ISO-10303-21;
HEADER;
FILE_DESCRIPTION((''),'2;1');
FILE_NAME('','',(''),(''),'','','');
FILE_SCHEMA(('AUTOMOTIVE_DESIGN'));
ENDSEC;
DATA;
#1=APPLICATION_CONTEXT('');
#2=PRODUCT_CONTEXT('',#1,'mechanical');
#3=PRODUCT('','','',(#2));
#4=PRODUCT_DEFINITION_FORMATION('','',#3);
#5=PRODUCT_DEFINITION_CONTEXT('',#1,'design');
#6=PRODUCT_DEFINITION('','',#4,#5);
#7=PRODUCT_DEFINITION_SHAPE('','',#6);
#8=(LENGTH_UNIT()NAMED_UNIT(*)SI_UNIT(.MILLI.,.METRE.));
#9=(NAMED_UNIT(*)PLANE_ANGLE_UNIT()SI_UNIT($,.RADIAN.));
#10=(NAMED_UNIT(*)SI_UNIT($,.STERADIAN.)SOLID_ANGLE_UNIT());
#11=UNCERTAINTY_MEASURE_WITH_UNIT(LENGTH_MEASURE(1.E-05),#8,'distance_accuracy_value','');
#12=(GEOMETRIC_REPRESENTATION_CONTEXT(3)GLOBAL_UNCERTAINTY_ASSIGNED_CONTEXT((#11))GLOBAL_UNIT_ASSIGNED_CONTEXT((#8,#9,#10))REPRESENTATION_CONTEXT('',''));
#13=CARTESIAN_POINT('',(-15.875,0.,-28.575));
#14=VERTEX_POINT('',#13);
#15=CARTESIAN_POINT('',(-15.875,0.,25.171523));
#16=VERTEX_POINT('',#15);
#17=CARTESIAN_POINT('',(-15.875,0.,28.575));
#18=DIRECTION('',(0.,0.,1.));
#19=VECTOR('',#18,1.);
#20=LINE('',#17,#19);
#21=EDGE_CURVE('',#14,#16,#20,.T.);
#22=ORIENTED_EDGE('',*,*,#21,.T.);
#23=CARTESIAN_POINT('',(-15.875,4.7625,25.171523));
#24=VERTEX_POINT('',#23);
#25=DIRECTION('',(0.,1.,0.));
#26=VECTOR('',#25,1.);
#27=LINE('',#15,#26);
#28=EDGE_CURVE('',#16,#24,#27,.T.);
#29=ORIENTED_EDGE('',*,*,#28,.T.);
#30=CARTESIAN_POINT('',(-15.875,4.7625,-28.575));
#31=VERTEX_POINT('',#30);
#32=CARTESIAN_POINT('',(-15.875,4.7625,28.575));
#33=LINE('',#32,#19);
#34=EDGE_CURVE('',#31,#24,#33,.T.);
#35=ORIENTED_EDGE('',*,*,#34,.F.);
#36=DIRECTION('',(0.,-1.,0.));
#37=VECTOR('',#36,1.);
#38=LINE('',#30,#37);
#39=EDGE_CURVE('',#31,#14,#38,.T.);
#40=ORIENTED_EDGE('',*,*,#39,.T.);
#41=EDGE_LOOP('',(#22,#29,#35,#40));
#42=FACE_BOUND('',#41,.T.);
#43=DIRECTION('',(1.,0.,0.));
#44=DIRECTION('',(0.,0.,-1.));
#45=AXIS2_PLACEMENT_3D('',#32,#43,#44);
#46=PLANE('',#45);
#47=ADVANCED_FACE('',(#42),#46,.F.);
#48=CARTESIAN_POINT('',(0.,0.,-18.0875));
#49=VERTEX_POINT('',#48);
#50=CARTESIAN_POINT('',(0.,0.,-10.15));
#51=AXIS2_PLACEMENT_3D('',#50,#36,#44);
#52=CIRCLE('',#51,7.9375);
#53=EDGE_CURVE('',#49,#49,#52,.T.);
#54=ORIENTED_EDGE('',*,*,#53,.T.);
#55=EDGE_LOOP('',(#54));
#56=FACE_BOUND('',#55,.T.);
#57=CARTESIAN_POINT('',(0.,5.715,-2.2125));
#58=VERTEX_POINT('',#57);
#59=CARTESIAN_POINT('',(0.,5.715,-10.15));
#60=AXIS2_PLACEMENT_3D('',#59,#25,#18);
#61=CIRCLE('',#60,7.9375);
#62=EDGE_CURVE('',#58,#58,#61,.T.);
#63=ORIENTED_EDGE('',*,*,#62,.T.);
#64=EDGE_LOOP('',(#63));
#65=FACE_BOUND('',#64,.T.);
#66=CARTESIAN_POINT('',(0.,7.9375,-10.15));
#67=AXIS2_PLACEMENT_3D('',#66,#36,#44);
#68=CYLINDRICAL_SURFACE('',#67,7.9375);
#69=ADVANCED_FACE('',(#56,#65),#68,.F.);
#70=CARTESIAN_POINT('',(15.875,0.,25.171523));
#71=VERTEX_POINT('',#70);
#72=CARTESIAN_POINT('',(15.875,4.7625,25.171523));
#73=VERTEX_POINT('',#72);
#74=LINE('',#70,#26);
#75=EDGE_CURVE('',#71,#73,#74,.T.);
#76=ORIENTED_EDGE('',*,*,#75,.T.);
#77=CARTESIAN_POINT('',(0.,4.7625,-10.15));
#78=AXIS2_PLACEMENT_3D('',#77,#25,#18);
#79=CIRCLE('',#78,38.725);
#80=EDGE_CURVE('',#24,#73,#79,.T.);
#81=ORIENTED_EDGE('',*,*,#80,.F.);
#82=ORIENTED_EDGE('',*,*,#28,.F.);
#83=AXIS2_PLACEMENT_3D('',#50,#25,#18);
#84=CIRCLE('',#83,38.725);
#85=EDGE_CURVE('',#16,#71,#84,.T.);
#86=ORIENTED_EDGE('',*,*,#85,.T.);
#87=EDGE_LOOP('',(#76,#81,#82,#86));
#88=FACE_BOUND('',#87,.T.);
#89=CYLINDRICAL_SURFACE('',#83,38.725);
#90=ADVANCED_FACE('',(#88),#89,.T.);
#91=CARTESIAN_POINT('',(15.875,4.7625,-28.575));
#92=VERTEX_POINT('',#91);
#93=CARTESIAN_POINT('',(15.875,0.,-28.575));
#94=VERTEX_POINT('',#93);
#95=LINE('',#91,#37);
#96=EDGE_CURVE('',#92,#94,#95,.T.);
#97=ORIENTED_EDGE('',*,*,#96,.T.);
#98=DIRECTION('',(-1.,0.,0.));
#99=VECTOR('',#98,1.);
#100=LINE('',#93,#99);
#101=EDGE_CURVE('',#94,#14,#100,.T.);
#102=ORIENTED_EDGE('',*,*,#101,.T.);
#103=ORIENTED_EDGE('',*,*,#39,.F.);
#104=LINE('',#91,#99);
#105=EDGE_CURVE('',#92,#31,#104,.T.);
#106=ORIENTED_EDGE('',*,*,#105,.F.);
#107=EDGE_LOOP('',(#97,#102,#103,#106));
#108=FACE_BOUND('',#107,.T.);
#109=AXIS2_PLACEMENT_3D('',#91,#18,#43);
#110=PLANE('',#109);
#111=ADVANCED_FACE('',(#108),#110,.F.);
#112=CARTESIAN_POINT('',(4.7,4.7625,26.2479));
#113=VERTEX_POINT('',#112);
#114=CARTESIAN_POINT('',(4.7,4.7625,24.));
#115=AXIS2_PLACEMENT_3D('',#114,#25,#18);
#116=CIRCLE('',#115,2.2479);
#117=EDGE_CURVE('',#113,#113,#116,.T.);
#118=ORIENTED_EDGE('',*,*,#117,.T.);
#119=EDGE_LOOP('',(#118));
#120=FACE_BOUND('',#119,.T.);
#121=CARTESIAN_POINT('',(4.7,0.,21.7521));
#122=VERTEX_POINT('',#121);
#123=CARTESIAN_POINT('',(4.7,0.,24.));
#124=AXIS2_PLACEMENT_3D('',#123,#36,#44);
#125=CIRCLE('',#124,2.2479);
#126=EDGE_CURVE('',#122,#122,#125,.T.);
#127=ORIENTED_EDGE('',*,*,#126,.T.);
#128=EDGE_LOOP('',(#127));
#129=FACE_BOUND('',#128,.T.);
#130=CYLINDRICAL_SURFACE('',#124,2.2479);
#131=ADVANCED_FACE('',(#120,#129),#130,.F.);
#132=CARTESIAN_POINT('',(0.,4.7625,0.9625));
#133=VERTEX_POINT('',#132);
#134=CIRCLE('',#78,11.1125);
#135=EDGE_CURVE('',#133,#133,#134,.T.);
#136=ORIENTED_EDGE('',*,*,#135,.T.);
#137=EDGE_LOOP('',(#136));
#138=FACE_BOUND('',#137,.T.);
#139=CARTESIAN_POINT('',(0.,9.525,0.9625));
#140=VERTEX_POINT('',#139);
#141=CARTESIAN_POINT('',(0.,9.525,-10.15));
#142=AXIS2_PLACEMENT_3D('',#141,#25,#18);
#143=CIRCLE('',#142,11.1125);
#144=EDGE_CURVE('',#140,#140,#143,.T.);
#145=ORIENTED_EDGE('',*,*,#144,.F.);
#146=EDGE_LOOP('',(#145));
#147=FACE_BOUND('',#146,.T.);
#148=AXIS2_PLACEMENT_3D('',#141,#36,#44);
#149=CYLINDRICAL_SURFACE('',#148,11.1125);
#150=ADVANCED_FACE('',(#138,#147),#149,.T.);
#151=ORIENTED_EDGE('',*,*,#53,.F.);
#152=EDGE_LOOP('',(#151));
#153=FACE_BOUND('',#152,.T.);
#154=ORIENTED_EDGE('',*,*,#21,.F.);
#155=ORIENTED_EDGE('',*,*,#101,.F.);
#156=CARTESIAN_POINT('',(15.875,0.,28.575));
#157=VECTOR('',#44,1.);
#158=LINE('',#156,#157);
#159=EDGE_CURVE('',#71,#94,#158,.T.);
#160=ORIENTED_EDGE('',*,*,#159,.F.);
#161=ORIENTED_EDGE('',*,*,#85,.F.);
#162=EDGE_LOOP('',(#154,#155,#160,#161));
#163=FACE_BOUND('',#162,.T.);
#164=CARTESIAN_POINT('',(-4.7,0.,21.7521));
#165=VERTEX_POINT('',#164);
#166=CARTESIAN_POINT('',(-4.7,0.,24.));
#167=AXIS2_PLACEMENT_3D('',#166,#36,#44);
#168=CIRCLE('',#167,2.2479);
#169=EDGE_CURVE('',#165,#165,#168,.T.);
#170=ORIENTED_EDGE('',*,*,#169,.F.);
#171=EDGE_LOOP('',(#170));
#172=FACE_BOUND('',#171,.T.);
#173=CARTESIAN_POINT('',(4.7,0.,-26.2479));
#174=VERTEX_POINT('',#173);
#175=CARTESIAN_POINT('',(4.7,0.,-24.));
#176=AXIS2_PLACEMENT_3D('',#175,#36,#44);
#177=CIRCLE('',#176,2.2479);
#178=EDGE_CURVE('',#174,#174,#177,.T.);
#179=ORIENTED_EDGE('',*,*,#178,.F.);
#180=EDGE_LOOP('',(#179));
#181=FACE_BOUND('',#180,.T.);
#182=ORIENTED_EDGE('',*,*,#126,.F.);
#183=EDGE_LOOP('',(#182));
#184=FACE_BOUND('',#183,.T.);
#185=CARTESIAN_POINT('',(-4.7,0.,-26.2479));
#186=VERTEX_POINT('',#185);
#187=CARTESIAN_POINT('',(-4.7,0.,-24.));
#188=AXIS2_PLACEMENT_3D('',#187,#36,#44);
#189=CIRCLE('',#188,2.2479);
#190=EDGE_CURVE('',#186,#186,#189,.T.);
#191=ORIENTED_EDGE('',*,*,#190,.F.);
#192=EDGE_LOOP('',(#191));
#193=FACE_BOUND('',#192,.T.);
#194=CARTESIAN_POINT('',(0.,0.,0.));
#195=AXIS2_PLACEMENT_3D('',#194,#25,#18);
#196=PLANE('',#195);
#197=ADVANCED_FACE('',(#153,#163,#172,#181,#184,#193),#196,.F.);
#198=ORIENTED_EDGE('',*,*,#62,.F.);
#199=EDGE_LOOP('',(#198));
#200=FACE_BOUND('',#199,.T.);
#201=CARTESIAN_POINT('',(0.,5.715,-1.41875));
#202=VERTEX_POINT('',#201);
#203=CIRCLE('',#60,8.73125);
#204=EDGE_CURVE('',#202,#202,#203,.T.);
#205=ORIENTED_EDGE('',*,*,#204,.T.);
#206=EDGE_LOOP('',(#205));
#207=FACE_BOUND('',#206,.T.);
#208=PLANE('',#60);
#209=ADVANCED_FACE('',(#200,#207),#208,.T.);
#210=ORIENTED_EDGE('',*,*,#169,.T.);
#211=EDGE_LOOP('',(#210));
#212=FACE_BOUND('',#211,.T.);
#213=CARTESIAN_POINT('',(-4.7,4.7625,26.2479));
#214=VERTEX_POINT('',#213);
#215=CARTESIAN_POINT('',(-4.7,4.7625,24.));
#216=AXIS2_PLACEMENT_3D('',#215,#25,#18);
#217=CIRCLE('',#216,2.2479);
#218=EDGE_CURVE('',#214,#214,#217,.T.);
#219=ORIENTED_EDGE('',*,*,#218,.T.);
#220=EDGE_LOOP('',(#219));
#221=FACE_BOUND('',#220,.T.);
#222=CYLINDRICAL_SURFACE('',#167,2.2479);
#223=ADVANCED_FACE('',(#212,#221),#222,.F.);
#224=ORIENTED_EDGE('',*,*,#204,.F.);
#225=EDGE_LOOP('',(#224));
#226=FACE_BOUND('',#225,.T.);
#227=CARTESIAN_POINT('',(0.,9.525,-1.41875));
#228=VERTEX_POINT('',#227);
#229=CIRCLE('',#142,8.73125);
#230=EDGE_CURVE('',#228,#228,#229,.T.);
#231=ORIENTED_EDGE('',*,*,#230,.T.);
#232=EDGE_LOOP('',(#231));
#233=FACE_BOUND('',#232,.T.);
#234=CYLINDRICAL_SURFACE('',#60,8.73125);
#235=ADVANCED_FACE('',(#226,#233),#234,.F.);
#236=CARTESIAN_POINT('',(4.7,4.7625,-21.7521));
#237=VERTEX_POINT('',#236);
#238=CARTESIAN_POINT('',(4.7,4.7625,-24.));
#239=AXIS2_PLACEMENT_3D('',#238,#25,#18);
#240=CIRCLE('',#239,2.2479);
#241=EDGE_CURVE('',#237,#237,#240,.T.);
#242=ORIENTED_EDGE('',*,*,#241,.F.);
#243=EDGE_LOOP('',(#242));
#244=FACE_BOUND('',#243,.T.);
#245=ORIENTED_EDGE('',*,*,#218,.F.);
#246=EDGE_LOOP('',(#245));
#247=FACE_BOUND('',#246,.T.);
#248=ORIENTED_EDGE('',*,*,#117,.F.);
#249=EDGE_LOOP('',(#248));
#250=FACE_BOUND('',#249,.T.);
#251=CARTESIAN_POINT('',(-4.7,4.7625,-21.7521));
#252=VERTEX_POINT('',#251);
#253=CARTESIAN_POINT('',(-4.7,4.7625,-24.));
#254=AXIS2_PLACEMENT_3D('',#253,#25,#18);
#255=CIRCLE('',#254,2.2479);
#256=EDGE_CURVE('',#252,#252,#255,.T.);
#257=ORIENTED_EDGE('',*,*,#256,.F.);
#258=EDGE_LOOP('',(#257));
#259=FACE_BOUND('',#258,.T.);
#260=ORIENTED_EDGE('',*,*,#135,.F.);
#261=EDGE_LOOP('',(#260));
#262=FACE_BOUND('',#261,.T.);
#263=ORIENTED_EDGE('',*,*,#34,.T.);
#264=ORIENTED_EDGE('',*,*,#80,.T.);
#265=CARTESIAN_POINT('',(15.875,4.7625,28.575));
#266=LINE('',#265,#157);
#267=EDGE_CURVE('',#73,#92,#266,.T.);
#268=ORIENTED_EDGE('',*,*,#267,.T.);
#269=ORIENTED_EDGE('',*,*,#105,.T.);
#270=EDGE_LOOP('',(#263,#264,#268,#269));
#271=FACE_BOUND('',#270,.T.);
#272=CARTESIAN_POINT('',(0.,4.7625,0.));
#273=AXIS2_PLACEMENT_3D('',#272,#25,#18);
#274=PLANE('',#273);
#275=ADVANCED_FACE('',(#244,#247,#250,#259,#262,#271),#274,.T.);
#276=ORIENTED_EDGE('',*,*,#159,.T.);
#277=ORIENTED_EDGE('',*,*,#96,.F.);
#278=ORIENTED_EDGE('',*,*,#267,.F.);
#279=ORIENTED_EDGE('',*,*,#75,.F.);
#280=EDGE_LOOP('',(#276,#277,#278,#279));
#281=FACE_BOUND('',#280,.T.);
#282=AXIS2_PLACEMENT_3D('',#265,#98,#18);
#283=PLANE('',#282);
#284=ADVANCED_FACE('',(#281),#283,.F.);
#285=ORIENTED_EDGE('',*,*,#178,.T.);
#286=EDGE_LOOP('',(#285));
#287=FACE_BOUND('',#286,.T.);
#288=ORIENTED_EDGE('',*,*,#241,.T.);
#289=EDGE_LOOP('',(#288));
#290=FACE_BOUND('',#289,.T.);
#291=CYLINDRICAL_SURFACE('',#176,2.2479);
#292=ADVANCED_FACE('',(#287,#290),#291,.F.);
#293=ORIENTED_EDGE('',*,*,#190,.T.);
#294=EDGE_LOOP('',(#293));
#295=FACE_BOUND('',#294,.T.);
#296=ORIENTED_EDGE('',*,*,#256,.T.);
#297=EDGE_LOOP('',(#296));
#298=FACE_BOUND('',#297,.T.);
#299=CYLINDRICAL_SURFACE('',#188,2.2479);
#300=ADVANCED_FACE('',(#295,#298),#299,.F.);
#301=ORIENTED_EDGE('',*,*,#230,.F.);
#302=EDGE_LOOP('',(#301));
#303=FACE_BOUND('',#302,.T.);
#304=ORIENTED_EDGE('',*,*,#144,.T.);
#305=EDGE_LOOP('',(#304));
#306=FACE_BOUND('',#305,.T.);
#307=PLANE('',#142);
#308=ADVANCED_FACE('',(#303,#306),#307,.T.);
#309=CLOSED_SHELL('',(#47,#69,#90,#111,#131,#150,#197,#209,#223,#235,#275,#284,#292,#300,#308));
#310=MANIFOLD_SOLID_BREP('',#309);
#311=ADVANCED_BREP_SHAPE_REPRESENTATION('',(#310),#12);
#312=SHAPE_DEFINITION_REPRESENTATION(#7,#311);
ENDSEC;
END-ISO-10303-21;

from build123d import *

# Parameters (mm, degrees)
SKETCH1_W             = 31.75
SKETCH1_H             = 57.15
BOSS_EXTRUDE1_DEPTH   = 4.7625
SKETCH2_R             = 11.1125
BOSS_EXTRUDE2_DEPTH   = 4.7625
SKETCH3_R             = 8.73125
CUT_EXTRUDE1_DEPTH    = 3.81
SKETCH4_R             = 7.9375
CUT_EXTRUDE2_DEPTH    = 7.9375
F_8_CLEARANCE_HOLE2_D = 4.4958
CUT_EXTRUDE3_DEPTH    = 5.7625


with BuildPart() as part:
    # Sketch1 → Boss-Extrude1 (new body)
    with BuildSketch(Plane(origin=(0, 0, 0), x_dir=(1, 0, 0), z_dir=(0, 1, 0))):
        Rectangle(SKETCH1_W, SKETCH1_H)
    extrude(amount=BOSS_EXTRUDE1_DEPTH)

    # Sketch2 → Boss-Extrude2 (add)
    with BuildSketch(Plane(origin=(0, 4.7625, 0), x_dir=(1, 0, 0), z_dir=(0, 1, 0))):
        with Locations((0, 10.15000002)):
            Circle(SKETCH2_R)
    extrude(amount=BOSS_EXTRUDE2_DEPTH)

    # Sketch3 → Cut-Extrude1 (cut)
    with BuildSketch(Plane(origin=(0, 9.525, 0), x_dir=(1, 0, 0), z_dir=(0, 1, 0))):
        with Locations((0, 10.15000002)):
            Circle(SKETCH3_R)
    extrude(amount=-CUT_EXTRUDE1_DEPTH, mode=Mode.SUBTRACT)

    # Sketch4 → Cut-Extrude2 (cut)
    with BuildSketch(Plane.XZ):
        with Locations((0, -10.15000002)):
            Circle(SKETCH4_R)
    extrude(amount=-CUT_EXTRUDE2_DEPTH, mode=Mode.SUBTRACT)

    # #8 Clearance Hole2 (through all)
    with Locations(Plane(origin=(0, 0, 0), x_dir=(-1, 0, 0), z_dir=(0, -1, 0))):
        with Locations((-4.7, 24.00000002), (4.7, -23.99999998), (4.7, 24.00000002), (-4.7, -23.99999998)):
            Hole(F_8_CLEARANCE_HOLE2_D / 2)

    # Sketch8 → Cut-Extrude3 (cut, through all)
    with BuildSketch(Plane(origin=(0, 4.7625, 0), x_dir=(1, 0, 0), z_dir=(0, 1, 0))):
        with BuildLine():
            ThreePointArc((15.875, -25.171523185), (8.117870402, -27.7145719), (0, -28.575))
            Line((0, -28.575), (15.875, -28.575))
            Line((15.875, -28.575), (15.875, -25.171523185))
        make_face()
        with BuildLine():
            ThreePointArc((0, -28.575), (-8.117870402, -27.7145719), (-15.875, -25.171523185))
            Line((-15.875, -25.171523185), (-15.875, -28.575))
            Line((-15.875, -28.575), (0, -28.575))
        make_face()
    extrude(amount=-CUT_EXTRUDE3_DEPTH, mode=Mode.SUBTRACT)


solid = part.part
